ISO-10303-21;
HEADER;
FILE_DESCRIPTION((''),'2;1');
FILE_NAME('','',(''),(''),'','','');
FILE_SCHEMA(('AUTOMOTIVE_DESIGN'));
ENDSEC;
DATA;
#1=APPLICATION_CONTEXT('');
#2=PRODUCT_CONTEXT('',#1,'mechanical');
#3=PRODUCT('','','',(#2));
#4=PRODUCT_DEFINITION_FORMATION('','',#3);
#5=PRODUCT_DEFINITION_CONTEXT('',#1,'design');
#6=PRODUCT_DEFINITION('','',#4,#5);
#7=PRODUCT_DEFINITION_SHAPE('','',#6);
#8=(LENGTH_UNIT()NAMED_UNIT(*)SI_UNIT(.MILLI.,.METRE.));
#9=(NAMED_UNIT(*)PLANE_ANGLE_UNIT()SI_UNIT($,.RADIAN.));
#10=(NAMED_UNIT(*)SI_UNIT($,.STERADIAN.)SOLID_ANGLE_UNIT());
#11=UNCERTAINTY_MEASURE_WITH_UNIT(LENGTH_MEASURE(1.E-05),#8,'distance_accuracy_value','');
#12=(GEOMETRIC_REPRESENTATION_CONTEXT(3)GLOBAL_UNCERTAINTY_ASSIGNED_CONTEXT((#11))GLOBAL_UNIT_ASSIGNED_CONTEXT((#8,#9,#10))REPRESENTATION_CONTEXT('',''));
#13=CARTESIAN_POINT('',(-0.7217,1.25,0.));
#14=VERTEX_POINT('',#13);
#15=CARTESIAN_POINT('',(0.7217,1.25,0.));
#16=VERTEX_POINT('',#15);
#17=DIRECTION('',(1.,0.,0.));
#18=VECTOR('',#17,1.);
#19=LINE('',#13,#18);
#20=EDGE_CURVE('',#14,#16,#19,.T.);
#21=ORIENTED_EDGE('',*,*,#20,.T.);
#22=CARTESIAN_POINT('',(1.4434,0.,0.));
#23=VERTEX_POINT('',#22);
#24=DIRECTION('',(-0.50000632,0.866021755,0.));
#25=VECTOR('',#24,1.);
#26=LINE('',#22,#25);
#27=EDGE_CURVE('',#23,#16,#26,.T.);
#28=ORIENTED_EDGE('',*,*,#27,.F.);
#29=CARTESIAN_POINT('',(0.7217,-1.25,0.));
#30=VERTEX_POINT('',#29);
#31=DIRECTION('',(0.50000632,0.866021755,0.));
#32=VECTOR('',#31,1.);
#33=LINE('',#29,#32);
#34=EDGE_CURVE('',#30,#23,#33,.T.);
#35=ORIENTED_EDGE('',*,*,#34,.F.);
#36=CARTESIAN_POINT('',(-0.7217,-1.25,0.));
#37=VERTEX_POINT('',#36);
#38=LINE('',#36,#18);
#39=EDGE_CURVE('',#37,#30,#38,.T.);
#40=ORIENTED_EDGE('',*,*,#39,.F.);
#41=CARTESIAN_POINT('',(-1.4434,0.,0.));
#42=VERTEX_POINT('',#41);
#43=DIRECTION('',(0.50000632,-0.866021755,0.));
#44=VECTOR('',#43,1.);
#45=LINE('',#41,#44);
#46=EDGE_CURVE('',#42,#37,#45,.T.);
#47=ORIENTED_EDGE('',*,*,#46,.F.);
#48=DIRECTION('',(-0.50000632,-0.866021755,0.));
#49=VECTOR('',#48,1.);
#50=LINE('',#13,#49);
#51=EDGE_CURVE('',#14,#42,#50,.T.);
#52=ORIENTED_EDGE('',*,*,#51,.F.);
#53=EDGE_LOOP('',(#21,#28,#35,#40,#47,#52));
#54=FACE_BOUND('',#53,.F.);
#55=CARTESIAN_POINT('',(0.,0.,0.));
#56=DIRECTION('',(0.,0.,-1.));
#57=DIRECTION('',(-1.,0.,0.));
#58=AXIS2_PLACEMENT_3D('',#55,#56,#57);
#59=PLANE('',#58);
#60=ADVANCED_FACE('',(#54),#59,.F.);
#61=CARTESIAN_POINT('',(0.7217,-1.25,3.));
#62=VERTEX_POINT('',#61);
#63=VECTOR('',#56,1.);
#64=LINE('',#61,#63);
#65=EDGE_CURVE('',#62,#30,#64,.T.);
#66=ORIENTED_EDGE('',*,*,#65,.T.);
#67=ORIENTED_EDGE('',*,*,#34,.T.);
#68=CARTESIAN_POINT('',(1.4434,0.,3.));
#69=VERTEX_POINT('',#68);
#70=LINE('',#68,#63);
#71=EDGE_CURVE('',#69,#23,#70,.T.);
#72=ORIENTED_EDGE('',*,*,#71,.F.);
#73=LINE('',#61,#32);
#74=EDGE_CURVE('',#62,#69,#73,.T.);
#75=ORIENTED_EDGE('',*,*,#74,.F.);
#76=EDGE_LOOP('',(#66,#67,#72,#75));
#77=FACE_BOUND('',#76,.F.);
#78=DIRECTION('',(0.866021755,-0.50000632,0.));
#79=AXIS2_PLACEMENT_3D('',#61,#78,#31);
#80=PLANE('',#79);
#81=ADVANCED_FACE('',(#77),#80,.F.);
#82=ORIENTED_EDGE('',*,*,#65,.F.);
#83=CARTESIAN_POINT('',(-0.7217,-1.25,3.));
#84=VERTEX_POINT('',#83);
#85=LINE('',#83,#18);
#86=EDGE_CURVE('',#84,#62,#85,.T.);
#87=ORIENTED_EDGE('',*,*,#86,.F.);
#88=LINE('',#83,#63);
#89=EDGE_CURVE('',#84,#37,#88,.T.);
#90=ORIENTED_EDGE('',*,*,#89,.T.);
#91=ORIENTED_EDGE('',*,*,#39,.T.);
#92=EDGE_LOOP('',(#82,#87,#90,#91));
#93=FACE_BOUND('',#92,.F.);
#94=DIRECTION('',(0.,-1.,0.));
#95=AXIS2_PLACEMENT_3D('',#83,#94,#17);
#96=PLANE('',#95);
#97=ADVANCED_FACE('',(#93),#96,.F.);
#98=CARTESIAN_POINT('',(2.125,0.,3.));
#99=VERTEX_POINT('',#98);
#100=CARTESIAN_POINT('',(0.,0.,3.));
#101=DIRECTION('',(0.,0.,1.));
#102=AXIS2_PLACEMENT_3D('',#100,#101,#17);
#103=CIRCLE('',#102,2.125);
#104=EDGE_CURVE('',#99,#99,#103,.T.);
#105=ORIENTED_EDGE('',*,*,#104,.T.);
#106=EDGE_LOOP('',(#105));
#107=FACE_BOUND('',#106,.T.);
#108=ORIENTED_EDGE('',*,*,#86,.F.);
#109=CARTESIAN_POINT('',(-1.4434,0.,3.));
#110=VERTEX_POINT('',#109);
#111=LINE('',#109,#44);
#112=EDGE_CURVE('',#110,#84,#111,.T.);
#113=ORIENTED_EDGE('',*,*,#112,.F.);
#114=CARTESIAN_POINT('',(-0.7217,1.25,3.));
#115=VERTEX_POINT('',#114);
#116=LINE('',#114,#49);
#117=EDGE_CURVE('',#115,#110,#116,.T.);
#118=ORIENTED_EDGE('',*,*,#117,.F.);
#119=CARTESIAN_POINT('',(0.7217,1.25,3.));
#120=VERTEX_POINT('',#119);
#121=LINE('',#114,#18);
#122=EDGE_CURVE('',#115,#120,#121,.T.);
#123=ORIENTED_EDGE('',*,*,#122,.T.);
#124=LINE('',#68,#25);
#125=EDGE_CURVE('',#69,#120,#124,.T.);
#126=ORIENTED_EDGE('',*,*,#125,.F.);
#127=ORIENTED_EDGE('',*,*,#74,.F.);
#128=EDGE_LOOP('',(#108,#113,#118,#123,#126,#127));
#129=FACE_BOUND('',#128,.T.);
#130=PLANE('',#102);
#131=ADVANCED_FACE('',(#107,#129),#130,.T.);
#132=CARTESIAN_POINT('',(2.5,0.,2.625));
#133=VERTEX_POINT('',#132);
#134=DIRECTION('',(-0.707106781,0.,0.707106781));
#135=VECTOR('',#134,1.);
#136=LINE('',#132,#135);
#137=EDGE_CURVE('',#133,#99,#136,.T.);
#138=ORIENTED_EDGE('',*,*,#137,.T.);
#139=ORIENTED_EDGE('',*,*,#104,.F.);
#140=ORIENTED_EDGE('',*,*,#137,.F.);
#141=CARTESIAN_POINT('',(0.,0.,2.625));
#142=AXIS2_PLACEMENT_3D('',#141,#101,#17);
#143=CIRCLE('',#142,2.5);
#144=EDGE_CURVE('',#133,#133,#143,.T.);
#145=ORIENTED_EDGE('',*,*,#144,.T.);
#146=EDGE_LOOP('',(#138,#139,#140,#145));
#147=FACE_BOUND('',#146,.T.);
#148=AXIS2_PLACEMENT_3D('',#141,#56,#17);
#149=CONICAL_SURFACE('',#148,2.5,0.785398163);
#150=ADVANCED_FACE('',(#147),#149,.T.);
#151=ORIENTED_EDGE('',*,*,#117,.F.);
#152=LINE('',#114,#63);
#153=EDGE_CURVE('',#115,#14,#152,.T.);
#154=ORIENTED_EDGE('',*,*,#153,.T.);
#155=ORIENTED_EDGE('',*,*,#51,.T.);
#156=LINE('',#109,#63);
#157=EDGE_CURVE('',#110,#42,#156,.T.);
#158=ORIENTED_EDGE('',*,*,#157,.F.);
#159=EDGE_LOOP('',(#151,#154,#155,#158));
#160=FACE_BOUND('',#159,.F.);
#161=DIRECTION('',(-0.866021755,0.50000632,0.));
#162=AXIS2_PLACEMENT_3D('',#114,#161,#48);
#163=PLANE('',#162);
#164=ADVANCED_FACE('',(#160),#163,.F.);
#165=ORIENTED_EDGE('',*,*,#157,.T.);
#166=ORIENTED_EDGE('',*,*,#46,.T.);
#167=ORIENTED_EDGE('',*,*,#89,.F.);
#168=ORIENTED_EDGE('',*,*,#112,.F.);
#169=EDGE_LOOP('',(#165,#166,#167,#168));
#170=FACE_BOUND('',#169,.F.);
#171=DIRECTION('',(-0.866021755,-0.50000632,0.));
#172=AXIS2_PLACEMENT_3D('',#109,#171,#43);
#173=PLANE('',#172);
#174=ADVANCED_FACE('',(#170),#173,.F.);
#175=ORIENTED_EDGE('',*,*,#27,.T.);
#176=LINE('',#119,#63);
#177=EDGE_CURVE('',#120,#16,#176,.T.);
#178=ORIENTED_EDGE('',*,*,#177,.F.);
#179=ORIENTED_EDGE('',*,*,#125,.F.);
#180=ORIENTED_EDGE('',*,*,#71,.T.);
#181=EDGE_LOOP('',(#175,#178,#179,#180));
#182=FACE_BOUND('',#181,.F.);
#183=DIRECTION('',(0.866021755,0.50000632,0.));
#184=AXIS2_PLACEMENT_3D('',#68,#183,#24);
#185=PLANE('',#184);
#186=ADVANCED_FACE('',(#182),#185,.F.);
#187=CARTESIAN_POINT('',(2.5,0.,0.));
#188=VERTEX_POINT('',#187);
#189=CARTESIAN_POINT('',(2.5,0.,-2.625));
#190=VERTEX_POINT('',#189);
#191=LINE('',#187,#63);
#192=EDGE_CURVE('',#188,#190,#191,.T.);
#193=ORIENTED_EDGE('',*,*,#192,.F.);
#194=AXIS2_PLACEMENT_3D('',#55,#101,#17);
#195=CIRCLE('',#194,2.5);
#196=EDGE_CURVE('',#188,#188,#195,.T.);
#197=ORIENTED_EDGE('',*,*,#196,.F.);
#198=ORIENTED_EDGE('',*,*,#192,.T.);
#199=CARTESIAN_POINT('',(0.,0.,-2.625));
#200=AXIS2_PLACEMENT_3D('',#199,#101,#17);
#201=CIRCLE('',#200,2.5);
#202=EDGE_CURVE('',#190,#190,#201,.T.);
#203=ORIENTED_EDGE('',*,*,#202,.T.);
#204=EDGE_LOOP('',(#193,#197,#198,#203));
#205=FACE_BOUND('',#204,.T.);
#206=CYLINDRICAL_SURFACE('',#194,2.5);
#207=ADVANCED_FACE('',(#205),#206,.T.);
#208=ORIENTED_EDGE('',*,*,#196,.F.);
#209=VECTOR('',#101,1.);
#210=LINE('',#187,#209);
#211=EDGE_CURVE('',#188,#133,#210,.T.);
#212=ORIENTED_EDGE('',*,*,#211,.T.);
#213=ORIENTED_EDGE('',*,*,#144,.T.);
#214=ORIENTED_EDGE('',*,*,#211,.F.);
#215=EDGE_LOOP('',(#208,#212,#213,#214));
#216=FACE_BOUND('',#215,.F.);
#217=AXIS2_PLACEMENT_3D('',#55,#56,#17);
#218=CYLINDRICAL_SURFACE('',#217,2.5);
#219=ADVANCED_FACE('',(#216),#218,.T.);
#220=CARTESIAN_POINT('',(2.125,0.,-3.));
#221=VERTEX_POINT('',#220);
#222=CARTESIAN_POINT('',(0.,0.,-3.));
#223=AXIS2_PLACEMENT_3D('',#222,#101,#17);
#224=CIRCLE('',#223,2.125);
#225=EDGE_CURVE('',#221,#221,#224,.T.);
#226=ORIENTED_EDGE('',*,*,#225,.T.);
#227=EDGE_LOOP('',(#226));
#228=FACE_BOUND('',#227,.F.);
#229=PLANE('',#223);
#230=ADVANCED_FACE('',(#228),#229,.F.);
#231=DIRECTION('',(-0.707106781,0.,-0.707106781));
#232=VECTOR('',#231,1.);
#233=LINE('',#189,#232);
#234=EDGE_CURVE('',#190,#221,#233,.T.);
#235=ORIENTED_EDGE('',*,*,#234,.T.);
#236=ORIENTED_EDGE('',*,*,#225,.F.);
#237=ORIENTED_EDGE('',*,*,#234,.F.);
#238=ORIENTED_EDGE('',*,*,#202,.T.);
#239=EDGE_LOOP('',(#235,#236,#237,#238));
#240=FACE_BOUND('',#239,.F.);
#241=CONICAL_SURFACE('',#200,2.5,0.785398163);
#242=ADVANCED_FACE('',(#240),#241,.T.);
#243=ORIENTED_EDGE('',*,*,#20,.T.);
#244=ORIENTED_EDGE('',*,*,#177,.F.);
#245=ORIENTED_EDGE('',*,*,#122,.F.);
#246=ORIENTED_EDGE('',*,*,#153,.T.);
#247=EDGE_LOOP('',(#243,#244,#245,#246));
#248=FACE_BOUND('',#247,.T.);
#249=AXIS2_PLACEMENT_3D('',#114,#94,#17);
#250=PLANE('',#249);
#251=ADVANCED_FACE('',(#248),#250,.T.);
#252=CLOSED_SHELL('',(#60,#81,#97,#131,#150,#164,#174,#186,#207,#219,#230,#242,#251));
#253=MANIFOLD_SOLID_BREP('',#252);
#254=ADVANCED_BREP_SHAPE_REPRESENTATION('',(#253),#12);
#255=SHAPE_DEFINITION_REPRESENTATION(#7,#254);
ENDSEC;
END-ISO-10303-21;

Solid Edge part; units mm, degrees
sketch "Sketch1" plane through (0, 0, 0) normal (0, 0, 1) x (1, 0, 0)
  circle A0 centre (0, 0) radius 2.5
  dimension "D1" = 5
extrude "Protrusion1" add sketch "Sketch1" along normal mid plane 6
chamfer "Chamfer1" distance 0.375 angle 45 2 edges at (-2.5, 0, -3) (-2.5, 0, 3)
sketch "Sketch2" plane through (0, 0, 3) normal (0, 0, 1) x (1, 0, 0)
  line L0 (-0.7217, 1.25) -> (0.7217, 1.25)
  line L1 (1.4434, 0) -> (0.7217, 1.25)
  line L2 (0.7217, -1.25) -> (1.4434, 0)
  line L3 (-0.7217, -1.25) -> (0.7217, -1.25)
  line L4 (-1.4434, 0) -> (-0.7217, -1.25)
  line L5 (-0.7217, 1.25) -> (-1.4434, 0)
  dimension "D1" = 2.5
extrude "Cutout1" cut sketch "Sketch2" against normal blind 3
properties part number "24104556"
